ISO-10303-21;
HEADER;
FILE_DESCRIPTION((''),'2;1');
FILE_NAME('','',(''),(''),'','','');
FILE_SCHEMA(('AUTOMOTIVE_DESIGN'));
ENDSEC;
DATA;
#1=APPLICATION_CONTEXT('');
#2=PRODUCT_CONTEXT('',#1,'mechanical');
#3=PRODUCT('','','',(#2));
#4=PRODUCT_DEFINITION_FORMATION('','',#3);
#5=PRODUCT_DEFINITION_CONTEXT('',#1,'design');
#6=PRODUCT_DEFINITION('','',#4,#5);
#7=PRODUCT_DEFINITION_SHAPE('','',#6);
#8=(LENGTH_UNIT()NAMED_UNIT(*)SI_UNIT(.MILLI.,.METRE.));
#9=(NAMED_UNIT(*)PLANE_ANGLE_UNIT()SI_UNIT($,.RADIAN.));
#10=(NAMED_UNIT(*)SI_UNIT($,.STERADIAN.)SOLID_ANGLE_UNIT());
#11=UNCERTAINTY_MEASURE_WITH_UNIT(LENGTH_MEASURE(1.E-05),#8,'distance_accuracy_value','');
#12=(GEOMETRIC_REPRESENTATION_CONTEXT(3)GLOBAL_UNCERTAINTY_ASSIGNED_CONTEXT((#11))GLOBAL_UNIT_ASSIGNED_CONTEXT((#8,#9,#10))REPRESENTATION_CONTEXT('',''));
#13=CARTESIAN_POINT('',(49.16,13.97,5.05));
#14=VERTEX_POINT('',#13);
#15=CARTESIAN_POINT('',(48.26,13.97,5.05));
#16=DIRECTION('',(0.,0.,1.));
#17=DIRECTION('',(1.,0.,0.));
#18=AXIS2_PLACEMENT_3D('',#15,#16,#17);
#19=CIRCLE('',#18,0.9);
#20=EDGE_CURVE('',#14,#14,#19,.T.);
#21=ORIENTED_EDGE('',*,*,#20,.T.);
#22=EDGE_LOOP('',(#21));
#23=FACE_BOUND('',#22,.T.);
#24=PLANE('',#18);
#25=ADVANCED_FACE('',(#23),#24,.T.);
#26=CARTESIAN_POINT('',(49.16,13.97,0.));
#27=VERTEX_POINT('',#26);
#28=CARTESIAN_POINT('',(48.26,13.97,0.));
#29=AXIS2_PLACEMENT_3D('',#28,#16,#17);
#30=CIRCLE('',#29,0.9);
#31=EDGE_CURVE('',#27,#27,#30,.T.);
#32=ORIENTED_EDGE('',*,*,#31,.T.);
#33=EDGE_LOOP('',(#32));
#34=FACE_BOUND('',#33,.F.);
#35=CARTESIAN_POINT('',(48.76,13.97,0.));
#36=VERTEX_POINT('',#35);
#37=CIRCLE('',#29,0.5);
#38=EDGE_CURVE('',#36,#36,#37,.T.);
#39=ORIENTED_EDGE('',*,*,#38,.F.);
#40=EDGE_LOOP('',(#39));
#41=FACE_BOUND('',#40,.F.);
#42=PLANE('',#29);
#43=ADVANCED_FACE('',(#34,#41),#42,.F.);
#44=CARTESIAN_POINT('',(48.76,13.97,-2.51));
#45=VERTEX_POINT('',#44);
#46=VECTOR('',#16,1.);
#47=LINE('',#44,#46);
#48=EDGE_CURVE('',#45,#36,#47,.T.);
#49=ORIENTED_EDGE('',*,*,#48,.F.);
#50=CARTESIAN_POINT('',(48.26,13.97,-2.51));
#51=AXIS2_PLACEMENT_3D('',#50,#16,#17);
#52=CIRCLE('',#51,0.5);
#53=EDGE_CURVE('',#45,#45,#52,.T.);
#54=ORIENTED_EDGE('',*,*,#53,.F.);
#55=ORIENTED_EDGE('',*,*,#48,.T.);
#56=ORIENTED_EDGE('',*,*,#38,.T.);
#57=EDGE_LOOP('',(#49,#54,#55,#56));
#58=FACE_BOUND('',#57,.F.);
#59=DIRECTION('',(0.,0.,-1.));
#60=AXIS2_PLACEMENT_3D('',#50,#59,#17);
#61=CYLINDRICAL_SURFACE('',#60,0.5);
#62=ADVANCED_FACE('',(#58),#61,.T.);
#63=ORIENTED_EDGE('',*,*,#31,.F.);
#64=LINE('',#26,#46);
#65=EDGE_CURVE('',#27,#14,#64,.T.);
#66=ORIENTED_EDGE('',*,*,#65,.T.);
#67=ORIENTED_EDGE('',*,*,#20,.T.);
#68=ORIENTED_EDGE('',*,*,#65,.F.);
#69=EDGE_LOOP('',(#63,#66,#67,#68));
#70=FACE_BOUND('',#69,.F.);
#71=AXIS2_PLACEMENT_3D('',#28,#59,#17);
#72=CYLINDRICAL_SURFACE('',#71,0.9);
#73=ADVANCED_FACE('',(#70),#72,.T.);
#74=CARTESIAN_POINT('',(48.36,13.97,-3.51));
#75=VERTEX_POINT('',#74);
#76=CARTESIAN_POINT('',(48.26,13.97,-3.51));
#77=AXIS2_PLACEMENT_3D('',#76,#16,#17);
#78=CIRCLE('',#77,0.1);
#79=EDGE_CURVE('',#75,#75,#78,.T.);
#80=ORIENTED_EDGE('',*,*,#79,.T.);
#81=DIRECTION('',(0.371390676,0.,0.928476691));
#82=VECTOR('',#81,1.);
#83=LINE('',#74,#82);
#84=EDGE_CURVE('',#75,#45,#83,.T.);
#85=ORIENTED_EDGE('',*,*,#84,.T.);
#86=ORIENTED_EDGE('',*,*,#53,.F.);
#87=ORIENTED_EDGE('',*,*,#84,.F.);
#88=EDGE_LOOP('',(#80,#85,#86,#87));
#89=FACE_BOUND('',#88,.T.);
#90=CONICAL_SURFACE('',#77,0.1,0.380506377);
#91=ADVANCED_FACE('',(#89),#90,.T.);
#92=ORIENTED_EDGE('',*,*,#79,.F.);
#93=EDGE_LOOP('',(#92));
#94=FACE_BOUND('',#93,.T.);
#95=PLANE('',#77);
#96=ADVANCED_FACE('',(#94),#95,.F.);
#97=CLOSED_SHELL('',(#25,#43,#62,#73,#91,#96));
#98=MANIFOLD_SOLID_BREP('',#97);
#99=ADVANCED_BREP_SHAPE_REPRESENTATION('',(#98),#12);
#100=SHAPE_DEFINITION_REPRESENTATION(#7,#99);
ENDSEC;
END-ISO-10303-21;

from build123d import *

# Parameters (mm, degrees)
CYLINDER007_R     = 0.5
CYLINDER007_DEPTH = 2.51
CYLINDER008_R     = 0.9
CYLINDER008_DEPTH = 5.05


with BuildPart() as cylinder007:
    # Cylinder007 → Cylinder007 (new body)
    with BuildSketch(Plane(origin=(2.54, 0, -2.51), x_dir=(1, 0, 0), z_dir=(0, 0, 1))):
        Circle(CYLINDER007_R)
    extrude(amount=CYLINDER007_DEPTH)


with BuildPart() as cone003:
    # Cone003 → Cone003 (revolve)
    with BuildSketch(Plane(origin=(2.54, 0, -3.51), x_dir=(1, 0, 0), z_dir=(0, -1, 0))):
        Polygon((0, 0), (0.1, 0), (0.5, 1), (0, 1), align=None)
    revolve(axis=Axis((2.54, 0, -3.51), (0, 0, 1)))


with BuildPart() as fusion003:
    # Cylinder008 → Cylinder008 (new body)
    with BuildSketch(Plane(origin=(2.54, 0, 0), x_dir=(1, 0, 0), z_dir=(0, 0, 1))):
        Circle(CYLINDER008_R)
    extrude(amount=CYLINDER008_DEPTH)

    # Fusion003: union Cylinder007, Cone003
    add(cylinder007.part)
    add(cone003.part)


with BuildPart() as fusion003_1:
    # Fusion003 placement: moved
    add(fusion003.part.moved(Location((45.72, 13.97, 0))))


solid = fusion003_1.part
